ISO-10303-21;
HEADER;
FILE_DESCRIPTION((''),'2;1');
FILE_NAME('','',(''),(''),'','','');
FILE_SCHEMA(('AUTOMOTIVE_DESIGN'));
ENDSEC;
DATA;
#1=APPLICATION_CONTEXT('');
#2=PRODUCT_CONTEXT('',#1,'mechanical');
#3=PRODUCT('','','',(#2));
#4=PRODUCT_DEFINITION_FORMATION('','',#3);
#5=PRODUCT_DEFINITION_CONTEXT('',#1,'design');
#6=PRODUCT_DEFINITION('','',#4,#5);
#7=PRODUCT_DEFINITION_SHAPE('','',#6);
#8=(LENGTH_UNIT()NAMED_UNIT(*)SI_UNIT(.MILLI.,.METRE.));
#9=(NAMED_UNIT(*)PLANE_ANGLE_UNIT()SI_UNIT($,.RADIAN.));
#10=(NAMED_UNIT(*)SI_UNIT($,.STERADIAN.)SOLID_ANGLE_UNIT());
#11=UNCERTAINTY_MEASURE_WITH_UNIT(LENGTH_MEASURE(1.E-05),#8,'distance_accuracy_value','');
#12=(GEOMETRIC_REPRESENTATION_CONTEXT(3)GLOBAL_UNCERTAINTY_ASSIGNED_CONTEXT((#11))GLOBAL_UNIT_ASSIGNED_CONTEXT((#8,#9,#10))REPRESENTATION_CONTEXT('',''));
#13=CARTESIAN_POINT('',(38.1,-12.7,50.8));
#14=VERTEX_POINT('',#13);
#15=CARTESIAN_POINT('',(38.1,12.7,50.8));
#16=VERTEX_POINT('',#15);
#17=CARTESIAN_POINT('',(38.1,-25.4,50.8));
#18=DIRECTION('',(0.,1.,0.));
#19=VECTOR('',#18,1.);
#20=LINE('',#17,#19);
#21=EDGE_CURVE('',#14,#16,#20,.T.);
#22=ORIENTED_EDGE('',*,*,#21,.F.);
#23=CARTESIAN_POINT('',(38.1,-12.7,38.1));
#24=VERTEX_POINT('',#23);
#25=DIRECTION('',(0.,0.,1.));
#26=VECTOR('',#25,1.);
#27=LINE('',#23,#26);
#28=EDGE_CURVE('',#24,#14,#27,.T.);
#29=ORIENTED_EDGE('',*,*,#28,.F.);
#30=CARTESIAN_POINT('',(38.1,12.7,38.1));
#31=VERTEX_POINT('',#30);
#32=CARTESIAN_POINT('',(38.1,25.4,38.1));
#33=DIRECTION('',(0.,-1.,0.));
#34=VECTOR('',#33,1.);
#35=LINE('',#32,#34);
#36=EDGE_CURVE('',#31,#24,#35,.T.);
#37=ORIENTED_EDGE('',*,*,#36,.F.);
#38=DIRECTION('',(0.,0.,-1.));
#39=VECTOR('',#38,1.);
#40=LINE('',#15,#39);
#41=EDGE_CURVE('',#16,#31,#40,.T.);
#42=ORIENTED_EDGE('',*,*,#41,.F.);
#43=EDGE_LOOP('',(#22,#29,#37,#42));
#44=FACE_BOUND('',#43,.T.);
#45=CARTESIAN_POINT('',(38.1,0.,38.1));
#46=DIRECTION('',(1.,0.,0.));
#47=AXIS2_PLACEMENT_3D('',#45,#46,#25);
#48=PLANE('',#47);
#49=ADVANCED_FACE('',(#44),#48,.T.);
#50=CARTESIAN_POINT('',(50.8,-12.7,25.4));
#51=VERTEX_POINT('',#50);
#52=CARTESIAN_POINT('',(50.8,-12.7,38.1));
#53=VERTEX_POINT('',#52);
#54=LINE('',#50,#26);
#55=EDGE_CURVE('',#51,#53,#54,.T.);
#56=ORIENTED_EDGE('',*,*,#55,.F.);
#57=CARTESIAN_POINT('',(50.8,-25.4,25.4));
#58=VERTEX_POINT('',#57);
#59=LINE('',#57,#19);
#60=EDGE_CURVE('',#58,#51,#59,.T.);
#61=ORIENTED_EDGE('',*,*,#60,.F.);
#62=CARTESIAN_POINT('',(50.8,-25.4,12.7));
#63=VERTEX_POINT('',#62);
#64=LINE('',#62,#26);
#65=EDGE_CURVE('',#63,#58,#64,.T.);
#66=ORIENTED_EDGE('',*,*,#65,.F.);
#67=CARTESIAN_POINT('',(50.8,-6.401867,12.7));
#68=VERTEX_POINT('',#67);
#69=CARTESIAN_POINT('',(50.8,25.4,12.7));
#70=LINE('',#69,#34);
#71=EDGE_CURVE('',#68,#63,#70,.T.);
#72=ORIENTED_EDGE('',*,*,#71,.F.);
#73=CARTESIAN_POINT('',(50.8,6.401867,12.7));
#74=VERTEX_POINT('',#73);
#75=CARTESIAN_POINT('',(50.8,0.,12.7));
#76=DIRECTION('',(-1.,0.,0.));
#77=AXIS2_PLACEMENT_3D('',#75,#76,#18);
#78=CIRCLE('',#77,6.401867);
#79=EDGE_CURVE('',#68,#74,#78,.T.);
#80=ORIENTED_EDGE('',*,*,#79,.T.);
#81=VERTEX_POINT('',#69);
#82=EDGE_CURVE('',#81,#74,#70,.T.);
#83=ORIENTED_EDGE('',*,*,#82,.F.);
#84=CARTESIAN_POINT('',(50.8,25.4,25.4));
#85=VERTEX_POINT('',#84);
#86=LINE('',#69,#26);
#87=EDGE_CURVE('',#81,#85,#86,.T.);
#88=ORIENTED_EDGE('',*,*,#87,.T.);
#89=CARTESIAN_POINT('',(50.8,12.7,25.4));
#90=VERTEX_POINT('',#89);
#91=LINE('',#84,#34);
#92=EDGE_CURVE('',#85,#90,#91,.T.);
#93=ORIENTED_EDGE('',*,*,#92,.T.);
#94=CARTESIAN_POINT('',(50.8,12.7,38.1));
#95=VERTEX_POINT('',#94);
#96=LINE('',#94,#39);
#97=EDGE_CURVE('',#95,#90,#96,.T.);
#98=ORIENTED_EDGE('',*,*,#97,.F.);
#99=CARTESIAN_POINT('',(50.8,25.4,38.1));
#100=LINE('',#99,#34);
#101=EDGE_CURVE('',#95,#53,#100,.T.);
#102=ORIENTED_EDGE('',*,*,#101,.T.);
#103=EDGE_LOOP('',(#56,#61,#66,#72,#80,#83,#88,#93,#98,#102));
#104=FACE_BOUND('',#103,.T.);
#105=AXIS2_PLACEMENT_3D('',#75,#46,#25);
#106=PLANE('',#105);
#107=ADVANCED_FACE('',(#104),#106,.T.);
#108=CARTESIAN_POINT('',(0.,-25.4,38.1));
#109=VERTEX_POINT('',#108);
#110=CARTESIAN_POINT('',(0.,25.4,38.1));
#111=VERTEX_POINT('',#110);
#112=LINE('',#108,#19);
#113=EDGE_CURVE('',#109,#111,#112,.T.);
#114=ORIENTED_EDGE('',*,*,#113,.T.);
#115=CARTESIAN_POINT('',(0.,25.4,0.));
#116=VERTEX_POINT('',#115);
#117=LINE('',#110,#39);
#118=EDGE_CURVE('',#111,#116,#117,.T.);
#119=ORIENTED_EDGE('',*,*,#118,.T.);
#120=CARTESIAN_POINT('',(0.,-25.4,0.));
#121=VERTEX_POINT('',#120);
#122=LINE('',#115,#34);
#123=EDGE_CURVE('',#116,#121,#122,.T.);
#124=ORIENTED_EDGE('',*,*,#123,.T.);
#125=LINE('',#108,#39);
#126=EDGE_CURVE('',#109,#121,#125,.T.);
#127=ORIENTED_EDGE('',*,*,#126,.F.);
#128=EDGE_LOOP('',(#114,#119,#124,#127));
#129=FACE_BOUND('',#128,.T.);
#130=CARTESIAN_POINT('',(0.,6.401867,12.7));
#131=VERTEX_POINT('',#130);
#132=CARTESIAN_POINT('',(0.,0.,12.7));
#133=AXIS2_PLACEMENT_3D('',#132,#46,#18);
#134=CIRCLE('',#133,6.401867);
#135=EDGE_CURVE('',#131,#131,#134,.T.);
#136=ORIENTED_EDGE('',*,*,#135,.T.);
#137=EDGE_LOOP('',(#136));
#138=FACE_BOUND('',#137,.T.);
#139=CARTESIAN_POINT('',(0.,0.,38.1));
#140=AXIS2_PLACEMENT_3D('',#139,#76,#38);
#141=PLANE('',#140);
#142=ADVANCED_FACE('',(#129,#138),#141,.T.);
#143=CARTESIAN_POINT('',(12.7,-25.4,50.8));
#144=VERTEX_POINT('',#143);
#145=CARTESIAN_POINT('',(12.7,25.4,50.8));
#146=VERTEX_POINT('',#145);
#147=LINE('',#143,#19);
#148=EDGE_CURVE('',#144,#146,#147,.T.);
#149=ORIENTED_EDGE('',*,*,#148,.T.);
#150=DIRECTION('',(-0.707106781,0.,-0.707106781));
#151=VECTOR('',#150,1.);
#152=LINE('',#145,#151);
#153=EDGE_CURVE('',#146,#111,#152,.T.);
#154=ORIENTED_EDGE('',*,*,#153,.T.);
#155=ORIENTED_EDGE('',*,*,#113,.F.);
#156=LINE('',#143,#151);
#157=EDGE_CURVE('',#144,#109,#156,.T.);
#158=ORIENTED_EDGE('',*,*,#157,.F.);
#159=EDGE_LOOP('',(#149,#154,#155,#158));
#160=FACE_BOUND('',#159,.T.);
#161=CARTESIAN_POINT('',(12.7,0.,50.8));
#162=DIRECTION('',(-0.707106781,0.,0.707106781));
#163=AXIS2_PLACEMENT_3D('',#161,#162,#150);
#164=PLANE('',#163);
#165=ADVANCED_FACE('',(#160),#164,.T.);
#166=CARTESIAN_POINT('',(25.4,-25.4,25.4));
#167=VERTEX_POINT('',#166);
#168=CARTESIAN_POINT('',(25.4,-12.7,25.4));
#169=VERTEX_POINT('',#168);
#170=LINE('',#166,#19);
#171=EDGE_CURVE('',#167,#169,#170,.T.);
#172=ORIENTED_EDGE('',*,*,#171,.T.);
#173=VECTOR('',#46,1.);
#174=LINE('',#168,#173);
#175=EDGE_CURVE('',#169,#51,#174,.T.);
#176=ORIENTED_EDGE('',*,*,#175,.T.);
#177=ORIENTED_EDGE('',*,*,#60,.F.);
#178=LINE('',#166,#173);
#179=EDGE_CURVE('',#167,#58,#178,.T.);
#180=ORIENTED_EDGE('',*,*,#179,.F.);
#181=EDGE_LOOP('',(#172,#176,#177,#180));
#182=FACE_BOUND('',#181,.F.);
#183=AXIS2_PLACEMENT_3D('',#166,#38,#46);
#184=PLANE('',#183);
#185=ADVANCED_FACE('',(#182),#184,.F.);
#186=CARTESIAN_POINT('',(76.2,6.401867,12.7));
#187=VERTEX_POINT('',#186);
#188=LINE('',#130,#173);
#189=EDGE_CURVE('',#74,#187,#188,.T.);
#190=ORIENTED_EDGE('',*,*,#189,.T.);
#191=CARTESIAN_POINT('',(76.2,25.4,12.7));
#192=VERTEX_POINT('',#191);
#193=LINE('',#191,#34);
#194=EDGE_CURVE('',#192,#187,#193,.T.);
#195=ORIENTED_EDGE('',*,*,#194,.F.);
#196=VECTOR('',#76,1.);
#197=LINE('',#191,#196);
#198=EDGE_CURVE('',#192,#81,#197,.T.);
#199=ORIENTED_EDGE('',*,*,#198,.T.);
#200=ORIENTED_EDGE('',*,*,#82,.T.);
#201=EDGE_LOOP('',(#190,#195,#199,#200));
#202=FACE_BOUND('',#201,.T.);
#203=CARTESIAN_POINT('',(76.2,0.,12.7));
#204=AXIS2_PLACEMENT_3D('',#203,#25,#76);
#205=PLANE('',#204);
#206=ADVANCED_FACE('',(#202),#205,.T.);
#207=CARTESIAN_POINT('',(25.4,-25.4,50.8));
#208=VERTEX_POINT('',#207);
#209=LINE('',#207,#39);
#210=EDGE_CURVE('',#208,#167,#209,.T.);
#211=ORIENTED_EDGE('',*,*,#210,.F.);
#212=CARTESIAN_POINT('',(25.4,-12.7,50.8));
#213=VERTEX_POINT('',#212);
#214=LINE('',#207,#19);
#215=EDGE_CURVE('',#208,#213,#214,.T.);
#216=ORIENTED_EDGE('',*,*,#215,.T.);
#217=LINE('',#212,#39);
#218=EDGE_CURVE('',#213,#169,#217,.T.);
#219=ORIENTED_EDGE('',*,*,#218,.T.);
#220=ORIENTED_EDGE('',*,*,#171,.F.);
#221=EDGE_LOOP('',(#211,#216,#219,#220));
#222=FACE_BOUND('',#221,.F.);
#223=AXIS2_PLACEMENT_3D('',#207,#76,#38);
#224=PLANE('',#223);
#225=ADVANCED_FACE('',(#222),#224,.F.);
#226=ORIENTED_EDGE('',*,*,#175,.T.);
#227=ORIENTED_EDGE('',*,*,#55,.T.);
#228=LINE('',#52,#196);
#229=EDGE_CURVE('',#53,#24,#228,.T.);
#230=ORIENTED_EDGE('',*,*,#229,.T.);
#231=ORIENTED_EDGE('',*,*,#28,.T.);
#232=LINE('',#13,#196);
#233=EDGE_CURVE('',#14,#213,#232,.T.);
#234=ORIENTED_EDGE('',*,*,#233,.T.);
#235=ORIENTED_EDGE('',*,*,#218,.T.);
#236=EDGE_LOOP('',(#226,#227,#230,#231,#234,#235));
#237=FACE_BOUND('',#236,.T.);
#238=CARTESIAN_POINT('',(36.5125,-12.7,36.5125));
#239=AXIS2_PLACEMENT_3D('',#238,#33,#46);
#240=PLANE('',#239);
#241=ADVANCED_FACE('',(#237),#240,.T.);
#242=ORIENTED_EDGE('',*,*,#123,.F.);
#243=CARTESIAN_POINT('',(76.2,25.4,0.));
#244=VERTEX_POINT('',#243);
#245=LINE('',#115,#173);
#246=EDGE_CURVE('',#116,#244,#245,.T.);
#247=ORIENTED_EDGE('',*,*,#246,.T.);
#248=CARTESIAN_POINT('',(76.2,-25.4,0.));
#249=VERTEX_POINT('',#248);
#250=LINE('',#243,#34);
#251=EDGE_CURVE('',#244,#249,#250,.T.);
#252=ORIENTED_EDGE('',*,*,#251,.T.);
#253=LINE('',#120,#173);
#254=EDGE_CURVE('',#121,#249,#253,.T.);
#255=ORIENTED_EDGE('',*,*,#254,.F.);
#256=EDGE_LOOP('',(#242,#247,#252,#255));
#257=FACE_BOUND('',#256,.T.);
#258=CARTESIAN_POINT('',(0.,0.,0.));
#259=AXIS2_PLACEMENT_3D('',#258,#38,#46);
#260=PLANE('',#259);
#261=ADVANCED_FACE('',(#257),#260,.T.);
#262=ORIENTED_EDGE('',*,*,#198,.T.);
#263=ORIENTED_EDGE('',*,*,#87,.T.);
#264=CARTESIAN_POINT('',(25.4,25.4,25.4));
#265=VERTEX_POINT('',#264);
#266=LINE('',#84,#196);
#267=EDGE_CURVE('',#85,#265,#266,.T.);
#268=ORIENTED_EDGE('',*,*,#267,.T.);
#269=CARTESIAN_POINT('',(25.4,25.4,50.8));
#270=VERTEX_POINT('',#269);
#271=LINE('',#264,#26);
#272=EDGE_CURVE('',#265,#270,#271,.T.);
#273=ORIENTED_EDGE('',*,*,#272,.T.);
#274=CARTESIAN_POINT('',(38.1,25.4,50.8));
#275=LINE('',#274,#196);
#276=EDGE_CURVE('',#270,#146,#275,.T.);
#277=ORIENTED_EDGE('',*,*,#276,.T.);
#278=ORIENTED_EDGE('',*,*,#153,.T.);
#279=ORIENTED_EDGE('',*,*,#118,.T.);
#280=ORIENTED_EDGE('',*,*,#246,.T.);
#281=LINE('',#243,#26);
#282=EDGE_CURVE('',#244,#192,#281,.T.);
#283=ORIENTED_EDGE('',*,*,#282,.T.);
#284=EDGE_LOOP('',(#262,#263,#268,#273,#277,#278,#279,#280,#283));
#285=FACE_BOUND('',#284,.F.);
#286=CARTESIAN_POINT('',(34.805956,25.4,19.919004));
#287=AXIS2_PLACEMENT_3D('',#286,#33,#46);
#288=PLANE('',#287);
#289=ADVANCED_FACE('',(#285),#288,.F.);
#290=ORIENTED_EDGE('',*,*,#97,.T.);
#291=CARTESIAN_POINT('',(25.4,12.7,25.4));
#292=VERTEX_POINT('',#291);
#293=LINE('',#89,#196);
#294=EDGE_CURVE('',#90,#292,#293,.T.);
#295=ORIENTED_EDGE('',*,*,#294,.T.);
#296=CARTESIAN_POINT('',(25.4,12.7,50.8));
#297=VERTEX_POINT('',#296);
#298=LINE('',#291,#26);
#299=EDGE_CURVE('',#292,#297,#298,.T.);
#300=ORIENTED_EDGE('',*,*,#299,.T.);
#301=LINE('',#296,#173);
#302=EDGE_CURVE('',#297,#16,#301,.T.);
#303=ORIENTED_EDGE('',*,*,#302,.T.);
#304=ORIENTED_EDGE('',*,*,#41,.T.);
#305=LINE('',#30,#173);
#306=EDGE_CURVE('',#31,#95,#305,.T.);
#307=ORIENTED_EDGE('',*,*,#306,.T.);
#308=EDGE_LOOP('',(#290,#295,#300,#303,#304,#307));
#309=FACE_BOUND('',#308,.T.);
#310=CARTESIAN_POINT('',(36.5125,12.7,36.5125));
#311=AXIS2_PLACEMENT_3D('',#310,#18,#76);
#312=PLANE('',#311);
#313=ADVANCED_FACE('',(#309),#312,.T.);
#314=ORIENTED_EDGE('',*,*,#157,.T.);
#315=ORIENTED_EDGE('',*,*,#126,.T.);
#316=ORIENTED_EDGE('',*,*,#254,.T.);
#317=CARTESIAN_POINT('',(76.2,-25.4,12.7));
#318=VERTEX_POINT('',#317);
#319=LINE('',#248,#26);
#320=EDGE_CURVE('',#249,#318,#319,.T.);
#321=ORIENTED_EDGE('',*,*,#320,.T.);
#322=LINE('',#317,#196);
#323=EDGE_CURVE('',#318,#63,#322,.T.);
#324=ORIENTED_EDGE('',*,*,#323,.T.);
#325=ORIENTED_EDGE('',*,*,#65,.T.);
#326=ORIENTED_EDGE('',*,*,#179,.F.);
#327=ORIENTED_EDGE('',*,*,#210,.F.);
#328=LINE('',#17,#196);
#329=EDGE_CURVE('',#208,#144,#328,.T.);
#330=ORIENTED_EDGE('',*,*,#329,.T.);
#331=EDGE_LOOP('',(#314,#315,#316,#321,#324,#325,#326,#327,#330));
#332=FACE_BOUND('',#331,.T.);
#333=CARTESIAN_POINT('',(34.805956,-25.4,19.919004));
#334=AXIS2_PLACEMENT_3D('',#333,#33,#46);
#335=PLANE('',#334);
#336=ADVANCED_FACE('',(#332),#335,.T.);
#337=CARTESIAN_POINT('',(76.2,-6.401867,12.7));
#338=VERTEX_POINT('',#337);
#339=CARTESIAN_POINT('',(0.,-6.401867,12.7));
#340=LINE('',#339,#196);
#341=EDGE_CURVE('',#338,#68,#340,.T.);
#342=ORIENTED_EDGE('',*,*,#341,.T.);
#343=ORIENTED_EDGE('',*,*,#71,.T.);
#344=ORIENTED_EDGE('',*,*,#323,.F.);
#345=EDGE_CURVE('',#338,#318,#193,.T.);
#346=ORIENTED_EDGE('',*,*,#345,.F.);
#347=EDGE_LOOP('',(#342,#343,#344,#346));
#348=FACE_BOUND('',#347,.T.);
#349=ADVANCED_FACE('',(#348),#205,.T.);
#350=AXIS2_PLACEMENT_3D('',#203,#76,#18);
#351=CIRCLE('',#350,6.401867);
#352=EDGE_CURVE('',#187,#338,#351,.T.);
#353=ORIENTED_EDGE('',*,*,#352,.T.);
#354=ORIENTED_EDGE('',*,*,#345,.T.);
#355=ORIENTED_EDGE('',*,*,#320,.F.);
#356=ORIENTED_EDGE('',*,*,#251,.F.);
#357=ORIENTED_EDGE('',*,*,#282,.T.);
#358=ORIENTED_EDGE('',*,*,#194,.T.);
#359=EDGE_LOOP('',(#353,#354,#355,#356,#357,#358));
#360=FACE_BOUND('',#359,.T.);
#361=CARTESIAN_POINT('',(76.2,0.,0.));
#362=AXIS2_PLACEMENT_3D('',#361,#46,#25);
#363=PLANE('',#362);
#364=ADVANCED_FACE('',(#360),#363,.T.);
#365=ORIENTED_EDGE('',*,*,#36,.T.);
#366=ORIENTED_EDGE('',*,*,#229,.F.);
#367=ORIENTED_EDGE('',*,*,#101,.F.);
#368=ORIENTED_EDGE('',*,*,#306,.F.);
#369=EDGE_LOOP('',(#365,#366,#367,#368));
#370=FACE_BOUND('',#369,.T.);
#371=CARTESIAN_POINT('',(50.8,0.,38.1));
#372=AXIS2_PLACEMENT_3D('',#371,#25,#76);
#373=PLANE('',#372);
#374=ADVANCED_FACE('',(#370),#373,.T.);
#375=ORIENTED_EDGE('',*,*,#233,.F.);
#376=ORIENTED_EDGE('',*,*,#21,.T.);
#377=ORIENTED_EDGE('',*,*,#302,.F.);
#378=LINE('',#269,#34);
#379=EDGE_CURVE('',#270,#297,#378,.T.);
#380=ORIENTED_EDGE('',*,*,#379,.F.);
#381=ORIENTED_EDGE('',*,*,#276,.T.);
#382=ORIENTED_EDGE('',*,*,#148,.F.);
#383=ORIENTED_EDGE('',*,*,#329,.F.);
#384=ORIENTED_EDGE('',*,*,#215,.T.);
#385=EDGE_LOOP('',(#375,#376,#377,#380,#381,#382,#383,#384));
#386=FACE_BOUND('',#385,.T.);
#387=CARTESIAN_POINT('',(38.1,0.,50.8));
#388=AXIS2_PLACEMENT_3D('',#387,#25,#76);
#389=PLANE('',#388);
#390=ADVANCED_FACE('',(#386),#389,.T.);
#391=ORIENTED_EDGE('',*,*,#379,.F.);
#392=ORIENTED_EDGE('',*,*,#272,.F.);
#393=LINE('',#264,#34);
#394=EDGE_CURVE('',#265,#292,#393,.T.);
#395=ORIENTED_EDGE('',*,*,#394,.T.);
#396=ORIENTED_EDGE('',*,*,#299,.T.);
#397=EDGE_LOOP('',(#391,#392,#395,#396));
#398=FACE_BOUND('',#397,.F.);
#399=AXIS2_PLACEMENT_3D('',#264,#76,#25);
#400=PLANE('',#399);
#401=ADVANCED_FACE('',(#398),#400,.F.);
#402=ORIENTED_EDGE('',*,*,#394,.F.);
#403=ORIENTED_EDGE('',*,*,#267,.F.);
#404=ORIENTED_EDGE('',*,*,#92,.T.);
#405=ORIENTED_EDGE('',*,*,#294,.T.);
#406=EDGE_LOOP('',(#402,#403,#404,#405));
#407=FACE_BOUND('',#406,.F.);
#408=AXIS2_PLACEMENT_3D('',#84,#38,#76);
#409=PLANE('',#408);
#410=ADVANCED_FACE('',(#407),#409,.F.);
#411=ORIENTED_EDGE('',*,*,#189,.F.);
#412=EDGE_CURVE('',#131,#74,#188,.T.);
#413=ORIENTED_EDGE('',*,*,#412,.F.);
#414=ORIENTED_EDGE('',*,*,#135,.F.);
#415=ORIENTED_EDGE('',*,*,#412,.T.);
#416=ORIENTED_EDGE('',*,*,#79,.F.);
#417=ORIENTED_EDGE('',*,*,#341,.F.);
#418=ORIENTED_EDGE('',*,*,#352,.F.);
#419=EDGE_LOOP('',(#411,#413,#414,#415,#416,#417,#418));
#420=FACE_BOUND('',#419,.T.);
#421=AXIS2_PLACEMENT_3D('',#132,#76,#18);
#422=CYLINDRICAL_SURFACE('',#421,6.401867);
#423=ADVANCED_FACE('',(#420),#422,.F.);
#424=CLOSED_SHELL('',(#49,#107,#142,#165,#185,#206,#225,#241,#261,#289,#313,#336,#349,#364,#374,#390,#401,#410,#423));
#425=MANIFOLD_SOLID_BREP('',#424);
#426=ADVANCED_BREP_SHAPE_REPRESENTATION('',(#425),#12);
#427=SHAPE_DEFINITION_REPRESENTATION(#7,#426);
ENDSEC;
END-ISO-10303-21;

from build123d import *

# Parameters (mm, degrees)
F1_DEPTH = 25.4
F3_DEPTH = 12.7
F5_DEPTH = 12.7
F6_R     = 6.4018672909
F7_DEPTH = 76.201


with BuildPart() as f1:
    # F0 (on Front) → F1 (new body, symmetric)
    with BuildSketch(Plane.XZ):
        Polygon((0, 38.1), (0, 0), (76.2, 0), (76.2, 12.7), (50.8, 12.7), (50.8, 38.1), (38.1, 38.1), (38.1, 50.8), (12.7, 50.8), align=None)
    extrude(amount=F1_DEPTH, both=True)

    # F2 (on face) → F3 (cut)
    with BuildSketch(Plane.XZ.offset(25.4)):
        Polygon((25.4, 25.4), (50.8, 25.4), (50.8, 38.1), (38.1, 38.1), (38.1, 50.8), (25.4, 50.8), align=None)
    extrude(amount=-F3_DEPTH, mode=Mode.SUBTRACT)

    # F4 (on face) → F5 (cut)
    with BuildSketch(Plane(origin=(0, 25.4, 0), x_dir=(-1, 0, 0), z_dir=(0, 1, 0))):
        Polygon((-50.8, 38.1), (-50.8, 25.4), (-25.4, 25.4), (-25.4, 50.8), (-38.1, 50.8), (-38.1, 38.1), align=None)
    extrude(amount=-F5_DEPTH, mode=Mode.SUBTRACT)

    # F6 (on Right) → F7 (cut, through all)
    with BuildSketch(Plane.YZ):
        with Locations((0, 12.7)):
            Circle(F6_R)
    extrude(amount=F7_DEPTH, mode=Mode.SUBTRACT)


solid = f1.part
